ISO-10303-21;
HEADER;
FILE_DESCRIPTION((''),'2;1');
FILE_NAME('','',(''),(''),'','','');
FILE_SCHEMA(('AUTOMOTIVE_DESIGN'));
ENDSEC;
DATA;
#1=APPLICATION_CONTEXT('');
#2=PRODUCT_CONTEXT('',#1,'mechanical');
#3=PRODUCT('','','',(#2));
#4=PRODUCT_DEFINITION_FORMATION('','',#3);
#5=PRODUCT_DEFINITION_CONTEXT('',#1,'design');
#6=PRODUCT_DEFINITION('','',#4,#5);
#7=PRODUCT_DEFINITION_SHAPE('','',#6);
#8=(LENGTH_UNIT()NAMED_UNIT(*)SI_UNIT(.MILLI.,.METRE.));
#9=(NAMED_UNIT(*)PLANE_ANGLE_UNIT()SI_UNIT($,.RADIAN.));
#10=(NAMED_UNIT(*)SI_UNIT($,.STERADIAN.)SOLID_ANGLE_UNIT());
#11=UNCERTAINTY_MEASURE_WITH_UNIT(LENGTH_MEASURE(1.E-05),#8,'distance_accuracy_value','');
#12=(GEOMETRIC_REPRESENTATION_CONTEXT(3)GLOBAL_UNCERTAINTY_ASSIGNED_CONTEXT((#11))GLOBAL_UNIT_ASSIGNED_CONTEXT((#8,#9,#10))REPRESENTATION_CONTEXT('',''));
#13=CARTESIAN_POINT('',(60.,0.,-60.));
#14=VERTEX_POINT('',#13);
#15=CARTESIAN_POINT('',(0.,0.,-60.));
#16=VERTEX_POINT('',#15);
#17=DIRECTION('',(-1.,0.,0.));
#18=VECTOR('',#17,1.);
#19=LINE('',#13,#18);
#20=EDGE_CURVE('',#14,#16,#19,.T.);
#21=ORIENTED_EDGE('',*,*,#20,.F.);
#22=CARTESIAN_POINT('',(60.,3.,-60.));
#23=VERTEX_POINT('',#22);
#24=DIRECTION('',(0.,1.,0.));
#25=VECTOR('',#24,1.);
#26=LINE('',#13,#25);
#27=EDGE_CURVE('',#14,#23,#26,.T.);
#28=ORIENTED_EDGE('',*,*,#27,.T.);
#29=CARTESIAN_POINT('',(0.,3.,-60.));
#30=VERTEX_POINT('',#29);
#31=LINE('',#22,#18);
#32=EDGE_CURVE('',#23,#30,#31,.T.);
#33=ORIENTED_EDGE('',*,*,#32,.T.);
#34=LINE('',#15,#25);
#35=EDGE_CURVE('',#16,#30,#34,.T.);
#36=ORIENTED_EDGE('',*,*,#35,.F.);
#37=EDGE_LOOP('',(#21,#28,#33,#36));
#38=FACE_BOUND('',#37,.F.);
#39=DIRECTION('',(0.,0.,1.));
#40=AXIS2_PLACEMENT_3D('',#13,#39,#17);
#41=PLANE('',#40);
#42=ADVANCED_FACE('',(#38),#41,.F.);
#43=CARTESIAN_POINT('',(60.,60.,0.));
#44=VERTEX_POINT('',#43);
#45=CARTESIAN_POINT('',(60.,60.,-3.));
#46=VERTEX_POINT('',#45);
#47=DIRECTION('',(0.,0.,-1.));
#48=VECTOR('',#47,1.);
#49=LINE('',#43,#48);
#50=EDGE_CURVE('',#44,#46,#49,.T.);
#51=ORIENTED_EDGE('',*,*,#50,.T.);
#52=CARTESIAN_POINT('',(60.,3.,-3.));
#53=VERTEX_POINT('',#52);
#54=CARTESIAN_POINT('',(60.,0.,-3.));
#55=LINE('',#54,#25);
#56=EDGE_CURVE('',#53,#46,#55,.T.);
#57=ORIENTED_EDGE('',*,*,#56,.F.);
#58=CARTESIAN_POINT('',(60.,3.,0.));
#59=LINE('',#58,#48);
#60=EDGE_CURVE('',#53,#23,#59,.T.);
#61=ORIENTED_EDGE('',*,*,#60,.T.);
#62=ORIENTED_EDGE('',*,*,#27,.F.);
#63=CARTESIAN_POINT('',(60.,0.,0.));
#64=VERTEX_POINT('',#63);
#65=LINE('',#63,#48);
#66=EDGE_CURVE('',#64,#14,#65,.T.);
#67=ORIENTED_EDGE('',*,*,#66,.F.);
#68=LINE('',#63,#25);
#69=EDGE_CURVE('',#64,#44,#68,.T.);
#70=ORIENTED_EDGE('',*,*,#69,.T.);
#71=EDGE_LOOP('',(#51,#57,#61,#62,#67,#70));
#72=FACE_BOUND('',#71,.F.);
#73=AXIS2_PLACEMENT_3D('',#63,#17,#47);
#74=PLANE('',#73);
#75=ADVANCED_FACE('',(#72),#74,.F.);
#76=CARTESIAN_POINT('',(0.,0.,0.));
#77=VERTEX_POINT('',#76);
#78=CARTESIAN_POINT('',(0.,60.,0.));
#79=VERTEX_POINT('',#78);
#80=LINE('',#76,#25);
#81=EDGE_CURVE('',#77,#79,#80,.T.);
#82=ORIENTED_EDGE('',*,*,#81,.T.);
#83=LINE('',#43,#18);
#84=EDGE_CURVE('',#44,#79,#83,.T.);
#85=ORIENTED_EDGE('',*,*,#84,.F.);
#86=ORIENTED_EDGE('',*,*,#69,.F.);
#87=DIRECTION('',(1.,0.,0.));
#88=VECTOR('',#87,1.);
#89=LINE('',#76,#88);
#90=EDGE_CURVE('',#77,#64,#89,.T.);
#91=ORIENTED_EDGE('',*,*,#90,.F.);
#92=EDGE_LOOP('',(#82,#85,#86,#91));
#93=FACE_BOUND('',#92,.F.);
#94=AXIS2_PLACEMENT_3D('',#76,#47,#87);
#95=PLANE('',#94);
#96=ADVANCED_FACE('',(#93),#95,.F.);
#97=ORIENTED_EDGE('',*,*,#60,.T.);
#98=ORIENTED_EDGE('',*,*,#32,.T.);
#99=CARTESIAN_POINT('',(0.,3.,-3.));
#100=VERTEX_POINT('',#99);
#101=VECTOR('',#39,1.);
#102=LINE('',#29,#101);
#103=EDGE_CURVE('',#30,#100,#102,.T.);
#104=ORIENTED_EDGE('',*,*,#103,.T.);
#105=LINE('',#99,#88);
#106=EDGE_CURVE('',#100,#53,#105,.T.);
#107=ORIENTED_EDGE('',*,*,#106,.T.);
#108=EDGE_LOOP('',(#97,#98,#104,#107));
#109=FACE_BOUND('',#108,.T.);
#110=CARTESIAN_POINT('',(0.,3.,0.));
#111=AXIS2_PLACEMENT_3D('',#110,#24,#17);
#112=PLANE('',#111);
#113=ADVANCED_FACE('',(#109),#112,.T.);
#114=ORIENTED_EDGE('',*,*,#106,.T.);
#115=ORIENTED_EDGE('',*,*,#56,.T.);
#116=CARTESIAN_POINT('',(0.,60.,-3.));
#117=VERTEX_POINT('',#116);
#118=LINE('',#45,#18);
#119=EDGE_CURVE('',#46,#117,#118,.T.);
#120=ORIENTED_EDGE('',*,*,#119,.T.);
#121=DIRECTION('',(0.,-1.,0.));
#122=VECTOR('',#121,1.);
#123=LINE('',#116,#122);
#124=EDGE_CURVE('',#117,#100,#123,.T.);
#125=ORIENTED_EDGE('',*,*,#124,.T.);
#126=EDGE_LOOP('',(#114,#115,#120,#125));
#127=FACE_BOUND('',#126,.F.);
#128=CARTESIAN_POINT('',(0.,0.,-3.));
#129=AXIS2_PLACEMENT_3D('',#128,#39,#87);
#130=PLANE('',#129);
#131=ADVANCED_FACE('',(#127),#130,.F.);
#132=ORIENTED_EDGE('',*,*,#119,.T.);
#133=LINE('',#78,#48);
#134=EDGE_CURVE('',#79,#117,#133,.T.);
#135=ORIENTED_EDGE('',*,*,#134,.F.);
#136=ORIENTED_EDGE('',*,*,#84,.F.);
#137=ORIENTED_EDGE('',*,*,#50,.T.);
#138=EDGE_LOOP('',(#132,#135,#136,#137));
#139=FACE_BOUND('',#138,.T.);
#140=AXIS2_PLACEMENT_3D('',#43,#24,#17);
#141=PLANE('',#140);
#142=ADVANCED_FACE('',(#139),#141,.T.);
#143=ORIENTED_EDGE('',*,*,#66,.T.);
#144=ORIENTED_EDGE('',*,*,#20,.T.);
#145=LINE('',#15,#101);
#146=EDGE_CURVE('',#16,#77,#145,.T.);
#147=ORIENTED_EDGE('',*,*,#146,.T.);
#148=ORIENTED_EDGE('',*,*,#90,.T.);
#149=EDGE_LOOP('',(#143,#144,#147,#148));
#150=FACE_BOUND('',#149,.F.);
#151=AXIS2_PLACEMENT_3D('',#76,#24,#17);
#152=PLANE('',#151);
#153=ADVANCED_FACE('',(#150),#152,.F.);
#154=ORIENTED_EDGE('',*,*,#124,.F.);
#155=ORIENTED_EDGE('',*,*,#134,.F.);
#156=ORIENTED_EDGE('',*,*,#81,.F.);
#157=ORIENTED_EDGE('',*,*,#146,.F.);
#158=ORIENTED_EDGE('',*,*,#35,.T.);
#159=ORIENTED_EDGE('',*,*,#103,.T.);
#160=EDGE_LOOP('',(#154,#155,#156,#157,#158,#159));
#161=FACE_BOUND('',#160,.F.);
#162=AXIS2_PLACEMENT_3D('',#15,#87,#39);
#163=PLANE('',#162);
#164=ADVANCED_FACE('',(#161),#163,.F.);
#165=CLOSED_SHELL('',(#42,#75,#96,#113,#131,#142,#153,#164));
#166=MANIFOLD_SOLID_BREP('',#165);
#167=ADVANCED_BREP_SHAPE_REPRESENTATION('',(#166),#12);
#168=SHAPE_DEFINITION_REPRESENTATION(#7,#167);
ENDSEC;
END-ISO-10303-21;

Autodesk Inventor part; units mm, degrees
ref_plane "YZ Plane" through (0, 0, 0) normal (1, 0, 0) x (0, 1, 0)
ref_plane "XZ Plane" through (0, 0, 0) normal (0, 1, 0) x (-1, 0, 0)
ref_plane "XY Plane" through (0, 0, 0) normal (0, 0, 1) x (1, 0, 0)
sketch "Sketch1" plane through (0, 0, 0) normal (0, 1, 0) x (-1, 0, 0)
  line L0 (0, 0) -> (-60, 0)
  line L1 (-60, 0) -> (-60, -60)
  line L2 (-60, -60) -> (0, -60)
  line L3 (0, -60) -> (0, 0)
  dimension "d0" = 60
  dimension "d1" = 60
extrude "Extrusion1" add sketch "Sketch1" along normal blind 3
sketch "Sketch2" plane through (0, 0, 0) normal (0, 0, 1) x (1, 0, 0)
  line L0 (60, 0) -> (0, 0) projected
  line L1 (0, 0) -> (60, 0)
  line L2 (60, 0) -> (60, 60)
  line L3 (60, 60) -> (0, 60)
  line L4 (0, 60) -> (0, 0)
  line L5 (0, 0) -> (60, 0) projected
  line L6 (0, 0) -> (60, 0) projected
  line L7 (60, 0) -> (60, 3) projected
  line L8 (0, 3) -> (60, 3) projected
  line L9 (0, 0) -> (0, 3) projected
  dimension "d4" = 60
  dimension "d5" = 60
extrude "Extrusion2" add sketch "Sketch2" against normal blind 3 contours L8 L4 L3 L2
properties part number "T4788-SWERVE-004-BRACKET"
